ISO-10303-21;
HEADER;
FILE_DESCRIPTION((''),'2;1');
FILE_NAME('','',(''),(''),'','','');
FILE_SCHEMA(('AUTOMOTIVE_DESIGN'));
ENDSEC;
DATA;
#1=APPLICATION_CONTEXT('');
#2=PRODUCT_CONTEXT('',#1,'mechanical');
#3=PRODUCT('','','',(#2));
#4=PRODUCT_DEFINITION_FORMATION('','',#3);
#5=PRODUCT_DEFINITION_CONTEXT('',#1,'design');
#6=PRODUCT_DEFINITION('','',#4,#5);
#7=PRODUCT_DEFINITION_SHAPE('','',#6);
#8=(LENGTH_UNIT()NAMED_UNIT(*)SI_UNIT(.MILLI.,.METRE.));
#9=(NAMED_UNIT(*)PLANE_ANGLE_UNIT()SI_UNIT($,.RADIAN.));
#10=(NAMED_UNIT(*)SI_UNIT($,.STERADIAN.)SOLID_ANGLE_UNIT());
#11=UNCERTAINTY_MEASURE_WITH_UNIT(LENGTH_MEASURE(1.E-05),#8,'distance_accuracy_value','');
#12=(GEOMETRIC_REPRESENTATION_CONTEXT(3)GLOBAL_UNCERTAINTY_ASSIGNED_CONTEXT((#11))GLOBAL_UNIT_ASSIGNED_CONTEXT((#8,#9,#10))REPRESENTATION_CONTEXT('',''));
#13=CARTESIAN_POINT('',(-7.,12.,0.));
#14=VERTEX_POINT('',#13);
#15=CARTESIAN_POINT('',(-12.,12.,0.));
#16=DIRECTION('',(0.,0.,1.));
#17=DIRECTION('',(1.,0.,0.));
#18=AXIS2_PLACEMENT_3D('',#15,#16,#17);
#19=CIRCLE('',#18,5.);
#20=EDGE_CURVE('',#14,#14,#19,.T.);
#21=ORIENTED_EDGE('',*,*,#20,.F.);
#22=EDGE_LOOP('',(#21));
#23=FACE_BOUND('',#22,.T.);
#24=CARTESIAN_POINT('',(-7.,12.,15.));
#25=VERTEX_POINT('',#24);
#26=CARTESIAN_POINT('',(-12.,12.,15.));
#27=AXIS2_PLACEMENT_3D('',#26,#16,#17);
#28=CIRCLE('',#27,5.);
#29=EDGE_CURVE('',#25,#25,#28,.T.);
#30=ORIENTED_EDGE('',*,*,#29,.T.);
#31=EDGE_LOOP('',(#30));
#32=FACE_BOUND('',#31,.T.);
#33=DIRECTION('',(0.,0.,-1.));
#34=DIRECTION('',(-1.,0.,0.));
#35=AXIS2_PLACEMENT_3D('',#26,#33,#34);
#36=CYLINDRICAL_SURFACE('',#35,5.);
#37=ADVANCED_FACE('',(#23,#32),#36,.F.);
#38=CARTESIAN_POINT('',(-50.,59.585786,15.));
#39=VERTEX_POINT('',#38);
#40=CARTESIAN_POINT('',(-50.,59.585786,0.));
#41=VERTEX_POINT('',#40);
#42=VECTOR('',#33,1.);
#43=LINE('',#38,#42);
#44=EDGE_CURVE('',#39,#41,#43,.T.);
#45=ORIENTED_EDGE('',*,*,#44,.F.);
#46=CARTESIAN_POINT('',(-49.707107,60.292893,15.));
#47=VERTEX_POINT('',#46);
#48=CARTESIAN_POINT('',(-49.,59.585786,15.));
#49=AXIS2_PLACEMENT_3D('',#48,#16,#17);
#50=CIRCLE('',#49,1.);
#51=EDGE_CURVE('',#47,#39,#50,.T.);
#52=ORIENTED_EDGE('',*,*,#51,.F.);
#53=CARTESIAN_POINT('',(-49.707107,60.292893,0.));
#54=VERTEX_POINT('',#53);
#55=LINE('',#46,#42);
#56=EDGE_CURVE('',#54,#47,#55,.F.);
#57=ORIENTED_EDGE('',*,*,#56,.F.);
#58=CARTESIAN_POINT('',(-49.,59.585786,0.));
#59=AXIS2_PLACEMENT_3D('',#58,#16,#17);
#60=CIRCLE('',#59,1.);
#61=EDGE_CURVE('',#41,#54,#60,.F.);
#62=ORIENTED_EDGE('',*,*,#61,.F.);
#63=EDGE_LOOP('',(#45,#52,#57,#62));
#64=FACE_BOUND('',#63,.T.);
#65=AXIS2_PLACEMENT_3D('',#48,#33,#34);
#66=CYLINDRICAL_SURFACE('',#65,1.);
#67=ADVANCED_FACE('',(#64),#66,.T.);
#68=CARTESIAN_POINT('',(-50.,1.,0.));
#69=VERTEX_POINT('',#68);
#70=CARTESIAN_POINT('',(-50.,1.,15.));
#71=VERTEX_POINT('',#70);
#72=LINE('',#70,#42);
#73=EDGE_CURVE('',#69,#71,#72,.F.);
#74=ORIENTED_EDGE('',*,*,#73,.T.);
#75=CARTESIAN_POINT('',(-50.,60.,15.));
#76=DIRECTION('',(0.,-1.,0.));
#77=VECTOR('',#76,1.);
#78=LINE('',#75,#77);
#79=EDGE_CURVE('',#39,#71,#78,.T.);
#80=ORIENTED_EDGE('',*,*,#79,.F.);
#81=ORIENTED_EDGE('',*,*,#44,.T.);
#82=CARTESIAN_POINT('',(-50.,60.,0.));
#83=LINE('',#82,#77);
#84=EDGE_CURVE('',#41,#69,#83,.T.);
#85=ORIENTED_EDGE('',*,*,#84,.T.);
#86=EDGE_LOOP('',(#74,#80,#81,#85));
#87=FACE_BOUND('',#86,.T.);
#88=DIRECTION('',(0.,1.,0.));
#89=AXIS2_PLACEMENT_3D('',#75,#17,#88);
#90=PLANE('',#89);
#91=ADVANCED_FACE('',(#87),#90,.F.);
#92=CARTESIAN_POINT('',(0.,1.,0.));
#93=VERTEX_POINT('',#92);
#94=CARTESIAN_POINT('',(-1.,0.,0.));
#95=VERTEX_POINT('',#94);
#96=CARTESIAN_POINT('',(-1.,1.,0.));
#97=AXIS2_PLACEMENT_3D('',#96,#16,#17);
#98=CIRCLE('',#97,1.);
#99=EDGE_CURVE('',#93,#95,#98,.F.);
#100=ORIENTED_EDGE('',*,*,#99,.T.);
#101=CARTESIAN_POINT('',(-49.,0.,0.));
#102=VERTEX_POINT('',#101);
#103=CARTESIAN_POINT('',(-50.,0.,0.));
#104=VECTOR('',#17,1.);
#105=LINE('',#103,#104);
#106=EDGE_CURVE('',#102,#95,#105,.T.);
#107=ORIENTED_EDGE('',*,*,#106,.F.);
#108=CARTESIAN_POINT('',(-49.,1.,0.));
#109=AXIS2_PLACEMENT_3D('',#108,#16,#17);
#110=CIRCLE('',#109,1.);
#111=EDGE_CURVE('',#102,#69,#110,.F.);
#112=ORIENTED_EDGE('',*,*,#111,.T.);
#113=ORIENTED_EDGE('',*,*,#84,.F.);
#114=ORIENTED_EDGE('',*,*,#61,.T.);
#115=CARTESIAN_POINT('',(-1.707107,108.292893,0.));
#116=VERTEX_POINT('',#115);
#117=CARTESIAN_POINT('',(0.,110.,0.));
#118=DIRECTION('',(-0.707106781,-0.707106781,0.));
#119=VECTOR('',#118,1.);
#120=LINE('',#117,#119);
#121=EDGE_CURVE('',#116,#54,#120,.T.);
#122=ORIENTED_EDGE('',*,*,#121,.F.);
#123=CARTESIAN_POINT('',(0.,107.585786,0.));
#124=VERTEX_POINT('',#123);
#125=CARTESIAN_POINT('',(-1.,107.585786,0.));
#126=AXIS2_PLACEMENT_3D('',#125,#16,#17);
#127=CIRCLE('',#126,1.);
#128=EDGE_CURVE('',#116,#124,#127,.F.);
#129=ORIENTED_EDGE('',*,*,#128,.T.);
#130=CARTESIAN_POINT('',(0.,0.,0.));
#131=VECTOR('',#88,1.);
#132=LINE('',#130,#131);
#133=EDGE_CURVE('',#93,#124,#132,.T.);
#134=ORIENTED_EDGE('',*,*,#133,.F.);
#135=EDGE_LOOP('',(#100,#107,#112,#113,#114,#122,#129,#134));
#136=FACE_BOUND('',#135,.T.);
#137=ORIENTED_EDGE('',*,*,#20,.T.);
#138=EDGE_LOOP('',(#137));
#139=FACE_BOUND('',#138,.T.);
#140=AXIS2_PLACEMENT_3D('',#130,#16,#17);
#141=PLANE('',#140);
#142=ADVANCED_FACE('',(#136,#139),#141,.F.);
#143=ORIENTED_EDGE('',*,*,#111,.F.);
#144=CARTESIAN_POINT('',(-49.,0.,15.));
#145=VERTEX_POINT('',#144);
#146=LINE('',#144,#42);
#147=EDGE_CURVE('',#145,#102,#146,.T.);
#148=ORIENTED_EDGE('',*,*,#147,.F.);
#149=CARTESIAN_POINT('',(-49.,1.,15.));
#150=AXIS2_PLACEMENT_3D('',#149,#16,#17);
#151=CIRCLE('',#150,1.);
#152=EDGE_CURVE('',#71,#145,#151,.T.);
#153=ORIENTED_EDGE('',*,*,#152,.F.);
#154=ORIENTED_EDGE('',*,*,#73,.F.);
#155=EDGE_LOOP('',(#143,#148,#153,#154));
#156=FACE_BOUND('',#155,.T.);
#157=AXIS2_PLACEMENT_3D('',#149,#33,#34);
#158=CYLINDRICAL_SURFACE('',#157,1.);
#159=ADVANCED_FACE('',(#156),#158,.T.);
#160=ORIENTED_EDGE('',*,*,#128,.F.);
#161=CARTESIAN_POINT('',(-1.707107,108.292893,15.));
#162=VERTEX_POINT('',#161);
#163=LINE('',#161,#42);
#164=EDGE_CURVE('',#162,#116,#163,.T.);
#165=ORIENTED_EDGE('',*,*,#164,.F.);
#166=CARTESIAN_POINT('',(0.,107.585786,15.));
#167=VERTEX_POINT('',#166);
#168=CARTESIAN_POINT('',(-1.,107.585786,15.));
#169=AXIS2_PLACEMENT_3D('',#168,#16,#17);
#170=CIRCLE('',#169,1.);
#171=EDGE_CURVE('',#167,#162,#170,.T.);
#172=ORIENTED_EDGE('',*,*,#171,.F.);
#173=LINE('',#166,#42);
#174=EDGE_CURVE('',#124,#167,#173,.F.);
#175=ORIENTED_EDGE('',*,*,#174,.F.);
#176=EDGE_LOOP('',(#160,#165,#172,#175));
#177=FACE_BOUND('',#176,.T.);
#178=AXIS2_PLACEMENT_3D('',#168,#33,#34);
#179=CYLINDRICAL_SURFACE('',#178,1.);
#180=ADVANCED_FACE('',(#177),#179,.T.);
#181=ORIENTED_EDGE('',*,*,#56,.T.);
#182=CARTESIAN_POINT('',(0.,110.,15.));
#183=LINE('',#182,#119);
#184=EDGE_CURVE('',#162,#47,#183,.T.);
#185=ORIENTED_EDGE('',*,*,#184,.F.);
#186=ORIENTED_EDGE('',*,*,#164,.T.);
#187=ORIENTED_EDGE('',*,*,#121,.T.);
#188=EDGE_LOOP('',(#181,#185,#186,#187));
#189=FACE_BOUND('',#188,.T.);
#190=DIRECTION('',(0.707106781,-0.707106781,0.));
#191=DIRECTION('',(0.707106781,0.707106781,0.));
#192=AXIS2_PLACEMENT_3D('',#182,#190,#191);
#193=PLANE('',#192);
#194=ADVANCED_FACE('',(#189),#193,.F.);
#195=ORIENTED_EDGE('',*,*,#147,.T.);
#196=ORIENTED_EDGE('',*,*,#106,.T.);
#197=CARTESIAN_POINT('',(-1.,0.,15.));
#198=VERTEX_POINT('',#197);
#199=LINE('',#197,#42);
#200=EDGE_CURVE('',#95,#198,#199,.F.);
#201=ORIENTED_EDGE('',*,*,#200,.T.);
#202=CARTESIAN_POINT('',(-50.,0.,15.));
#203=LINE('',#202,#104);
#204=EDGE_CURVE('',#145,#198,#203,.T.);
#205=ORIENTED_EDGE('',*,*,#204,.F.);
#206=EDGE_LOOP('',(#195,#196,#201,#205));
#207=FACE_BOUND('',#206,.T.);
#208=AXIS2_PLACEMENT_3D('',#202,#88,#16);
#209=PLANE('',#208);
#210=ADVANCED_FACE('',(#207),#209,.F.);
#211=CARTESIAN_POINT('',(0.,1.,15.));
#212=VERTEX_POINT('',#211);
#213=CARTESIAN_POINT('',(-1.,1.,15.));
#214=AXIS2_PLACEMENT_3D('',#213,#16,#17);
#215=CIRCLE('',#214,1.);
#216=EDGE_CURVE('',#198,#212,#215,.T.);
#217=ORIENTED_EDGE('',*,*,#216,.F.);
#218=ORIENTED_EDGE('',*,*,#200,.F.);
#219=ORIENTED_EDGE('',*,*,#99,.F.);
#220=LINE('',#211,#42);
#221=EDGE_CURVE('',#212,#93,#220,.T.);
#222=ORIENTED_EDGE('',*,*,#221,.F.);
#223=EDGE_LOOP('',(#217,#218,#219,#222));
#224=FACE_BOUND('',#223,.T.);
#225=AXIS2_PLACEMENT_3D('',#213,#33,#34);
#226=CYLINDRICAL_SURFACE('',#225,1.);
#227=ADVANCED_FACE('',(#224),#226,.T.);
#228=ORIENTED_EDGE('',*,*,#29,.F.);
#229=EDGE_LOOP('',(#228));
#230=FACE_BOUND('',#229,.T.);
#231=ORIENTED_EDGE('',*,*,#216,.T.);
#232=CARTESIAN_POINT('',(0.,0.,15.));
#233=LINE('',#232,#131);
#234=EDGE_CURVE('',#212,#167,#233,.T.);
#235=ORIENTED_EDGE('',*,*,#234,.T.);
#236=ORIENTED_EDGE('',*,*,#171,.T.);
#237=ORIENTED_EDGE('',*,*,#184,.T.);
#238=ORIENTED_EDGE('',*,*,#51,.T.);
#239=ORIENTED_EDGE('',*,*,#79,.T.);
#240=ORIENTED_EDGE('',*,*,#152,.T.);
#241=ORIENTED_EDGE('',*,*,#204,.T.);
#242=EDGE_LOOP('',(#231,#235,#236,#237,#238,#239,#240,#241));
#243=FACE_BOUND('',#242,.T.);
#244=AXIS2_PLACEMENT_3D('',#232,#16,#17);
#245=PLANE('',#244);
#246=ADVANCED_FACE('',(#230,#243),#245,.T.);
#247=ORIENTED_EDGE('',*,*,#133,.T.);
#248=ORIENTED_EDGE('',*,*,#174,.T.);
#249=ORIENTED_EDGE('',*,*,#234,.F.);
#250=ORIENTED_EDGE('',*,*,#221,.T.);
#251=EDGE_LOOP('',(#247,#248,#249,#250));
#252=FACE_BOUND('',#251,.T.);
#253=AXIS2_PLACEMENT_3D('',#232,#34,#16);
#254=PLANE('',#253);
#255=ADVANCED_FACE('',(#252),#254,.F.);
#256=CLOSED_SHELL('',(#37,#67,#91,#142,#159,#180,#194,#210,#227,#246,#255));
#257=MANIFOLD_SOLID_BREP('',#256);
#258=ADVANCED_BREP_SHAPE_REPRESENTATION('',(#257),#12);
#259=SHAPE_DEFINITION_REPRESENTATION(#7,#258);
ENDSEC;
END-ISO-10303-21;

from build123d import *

# Parameters (mm, degrees)
SCHIZZO1_R                   = 5
ESTRUSIONE_ESTRUSIONE1_DEPTH = 15
RACCORDO1_R                  = 1


with BuildPart() as part:
    # Schizzo1 → Estrusione-Estrusione1 (new body)
    with BuildSketch(Plane.XY):
        Polygon((0, 0), (0, 110), (-50, 60), (-50, 0), align=None)
        with Locations((-12, 12)):
            Circle(SCHIZZO1_R, mode=Mode.SUBTRACT)
    extrude(amount=ESTRUSIONE_ESTRUSIONE1_DEPTH)

    # Raccordo1
    raccordo1_edges = [part.edges().sort_by_distance(p)[0] for p in [
        (-50, 0, 7.5),
        (-50, 60, 7.5),
        (0, 110, 7.5),
        (0, 0, 7.5),
    ]]
    fillet(raccordo1_edges, radius=RACCORDO1_R)


solid = part.part
